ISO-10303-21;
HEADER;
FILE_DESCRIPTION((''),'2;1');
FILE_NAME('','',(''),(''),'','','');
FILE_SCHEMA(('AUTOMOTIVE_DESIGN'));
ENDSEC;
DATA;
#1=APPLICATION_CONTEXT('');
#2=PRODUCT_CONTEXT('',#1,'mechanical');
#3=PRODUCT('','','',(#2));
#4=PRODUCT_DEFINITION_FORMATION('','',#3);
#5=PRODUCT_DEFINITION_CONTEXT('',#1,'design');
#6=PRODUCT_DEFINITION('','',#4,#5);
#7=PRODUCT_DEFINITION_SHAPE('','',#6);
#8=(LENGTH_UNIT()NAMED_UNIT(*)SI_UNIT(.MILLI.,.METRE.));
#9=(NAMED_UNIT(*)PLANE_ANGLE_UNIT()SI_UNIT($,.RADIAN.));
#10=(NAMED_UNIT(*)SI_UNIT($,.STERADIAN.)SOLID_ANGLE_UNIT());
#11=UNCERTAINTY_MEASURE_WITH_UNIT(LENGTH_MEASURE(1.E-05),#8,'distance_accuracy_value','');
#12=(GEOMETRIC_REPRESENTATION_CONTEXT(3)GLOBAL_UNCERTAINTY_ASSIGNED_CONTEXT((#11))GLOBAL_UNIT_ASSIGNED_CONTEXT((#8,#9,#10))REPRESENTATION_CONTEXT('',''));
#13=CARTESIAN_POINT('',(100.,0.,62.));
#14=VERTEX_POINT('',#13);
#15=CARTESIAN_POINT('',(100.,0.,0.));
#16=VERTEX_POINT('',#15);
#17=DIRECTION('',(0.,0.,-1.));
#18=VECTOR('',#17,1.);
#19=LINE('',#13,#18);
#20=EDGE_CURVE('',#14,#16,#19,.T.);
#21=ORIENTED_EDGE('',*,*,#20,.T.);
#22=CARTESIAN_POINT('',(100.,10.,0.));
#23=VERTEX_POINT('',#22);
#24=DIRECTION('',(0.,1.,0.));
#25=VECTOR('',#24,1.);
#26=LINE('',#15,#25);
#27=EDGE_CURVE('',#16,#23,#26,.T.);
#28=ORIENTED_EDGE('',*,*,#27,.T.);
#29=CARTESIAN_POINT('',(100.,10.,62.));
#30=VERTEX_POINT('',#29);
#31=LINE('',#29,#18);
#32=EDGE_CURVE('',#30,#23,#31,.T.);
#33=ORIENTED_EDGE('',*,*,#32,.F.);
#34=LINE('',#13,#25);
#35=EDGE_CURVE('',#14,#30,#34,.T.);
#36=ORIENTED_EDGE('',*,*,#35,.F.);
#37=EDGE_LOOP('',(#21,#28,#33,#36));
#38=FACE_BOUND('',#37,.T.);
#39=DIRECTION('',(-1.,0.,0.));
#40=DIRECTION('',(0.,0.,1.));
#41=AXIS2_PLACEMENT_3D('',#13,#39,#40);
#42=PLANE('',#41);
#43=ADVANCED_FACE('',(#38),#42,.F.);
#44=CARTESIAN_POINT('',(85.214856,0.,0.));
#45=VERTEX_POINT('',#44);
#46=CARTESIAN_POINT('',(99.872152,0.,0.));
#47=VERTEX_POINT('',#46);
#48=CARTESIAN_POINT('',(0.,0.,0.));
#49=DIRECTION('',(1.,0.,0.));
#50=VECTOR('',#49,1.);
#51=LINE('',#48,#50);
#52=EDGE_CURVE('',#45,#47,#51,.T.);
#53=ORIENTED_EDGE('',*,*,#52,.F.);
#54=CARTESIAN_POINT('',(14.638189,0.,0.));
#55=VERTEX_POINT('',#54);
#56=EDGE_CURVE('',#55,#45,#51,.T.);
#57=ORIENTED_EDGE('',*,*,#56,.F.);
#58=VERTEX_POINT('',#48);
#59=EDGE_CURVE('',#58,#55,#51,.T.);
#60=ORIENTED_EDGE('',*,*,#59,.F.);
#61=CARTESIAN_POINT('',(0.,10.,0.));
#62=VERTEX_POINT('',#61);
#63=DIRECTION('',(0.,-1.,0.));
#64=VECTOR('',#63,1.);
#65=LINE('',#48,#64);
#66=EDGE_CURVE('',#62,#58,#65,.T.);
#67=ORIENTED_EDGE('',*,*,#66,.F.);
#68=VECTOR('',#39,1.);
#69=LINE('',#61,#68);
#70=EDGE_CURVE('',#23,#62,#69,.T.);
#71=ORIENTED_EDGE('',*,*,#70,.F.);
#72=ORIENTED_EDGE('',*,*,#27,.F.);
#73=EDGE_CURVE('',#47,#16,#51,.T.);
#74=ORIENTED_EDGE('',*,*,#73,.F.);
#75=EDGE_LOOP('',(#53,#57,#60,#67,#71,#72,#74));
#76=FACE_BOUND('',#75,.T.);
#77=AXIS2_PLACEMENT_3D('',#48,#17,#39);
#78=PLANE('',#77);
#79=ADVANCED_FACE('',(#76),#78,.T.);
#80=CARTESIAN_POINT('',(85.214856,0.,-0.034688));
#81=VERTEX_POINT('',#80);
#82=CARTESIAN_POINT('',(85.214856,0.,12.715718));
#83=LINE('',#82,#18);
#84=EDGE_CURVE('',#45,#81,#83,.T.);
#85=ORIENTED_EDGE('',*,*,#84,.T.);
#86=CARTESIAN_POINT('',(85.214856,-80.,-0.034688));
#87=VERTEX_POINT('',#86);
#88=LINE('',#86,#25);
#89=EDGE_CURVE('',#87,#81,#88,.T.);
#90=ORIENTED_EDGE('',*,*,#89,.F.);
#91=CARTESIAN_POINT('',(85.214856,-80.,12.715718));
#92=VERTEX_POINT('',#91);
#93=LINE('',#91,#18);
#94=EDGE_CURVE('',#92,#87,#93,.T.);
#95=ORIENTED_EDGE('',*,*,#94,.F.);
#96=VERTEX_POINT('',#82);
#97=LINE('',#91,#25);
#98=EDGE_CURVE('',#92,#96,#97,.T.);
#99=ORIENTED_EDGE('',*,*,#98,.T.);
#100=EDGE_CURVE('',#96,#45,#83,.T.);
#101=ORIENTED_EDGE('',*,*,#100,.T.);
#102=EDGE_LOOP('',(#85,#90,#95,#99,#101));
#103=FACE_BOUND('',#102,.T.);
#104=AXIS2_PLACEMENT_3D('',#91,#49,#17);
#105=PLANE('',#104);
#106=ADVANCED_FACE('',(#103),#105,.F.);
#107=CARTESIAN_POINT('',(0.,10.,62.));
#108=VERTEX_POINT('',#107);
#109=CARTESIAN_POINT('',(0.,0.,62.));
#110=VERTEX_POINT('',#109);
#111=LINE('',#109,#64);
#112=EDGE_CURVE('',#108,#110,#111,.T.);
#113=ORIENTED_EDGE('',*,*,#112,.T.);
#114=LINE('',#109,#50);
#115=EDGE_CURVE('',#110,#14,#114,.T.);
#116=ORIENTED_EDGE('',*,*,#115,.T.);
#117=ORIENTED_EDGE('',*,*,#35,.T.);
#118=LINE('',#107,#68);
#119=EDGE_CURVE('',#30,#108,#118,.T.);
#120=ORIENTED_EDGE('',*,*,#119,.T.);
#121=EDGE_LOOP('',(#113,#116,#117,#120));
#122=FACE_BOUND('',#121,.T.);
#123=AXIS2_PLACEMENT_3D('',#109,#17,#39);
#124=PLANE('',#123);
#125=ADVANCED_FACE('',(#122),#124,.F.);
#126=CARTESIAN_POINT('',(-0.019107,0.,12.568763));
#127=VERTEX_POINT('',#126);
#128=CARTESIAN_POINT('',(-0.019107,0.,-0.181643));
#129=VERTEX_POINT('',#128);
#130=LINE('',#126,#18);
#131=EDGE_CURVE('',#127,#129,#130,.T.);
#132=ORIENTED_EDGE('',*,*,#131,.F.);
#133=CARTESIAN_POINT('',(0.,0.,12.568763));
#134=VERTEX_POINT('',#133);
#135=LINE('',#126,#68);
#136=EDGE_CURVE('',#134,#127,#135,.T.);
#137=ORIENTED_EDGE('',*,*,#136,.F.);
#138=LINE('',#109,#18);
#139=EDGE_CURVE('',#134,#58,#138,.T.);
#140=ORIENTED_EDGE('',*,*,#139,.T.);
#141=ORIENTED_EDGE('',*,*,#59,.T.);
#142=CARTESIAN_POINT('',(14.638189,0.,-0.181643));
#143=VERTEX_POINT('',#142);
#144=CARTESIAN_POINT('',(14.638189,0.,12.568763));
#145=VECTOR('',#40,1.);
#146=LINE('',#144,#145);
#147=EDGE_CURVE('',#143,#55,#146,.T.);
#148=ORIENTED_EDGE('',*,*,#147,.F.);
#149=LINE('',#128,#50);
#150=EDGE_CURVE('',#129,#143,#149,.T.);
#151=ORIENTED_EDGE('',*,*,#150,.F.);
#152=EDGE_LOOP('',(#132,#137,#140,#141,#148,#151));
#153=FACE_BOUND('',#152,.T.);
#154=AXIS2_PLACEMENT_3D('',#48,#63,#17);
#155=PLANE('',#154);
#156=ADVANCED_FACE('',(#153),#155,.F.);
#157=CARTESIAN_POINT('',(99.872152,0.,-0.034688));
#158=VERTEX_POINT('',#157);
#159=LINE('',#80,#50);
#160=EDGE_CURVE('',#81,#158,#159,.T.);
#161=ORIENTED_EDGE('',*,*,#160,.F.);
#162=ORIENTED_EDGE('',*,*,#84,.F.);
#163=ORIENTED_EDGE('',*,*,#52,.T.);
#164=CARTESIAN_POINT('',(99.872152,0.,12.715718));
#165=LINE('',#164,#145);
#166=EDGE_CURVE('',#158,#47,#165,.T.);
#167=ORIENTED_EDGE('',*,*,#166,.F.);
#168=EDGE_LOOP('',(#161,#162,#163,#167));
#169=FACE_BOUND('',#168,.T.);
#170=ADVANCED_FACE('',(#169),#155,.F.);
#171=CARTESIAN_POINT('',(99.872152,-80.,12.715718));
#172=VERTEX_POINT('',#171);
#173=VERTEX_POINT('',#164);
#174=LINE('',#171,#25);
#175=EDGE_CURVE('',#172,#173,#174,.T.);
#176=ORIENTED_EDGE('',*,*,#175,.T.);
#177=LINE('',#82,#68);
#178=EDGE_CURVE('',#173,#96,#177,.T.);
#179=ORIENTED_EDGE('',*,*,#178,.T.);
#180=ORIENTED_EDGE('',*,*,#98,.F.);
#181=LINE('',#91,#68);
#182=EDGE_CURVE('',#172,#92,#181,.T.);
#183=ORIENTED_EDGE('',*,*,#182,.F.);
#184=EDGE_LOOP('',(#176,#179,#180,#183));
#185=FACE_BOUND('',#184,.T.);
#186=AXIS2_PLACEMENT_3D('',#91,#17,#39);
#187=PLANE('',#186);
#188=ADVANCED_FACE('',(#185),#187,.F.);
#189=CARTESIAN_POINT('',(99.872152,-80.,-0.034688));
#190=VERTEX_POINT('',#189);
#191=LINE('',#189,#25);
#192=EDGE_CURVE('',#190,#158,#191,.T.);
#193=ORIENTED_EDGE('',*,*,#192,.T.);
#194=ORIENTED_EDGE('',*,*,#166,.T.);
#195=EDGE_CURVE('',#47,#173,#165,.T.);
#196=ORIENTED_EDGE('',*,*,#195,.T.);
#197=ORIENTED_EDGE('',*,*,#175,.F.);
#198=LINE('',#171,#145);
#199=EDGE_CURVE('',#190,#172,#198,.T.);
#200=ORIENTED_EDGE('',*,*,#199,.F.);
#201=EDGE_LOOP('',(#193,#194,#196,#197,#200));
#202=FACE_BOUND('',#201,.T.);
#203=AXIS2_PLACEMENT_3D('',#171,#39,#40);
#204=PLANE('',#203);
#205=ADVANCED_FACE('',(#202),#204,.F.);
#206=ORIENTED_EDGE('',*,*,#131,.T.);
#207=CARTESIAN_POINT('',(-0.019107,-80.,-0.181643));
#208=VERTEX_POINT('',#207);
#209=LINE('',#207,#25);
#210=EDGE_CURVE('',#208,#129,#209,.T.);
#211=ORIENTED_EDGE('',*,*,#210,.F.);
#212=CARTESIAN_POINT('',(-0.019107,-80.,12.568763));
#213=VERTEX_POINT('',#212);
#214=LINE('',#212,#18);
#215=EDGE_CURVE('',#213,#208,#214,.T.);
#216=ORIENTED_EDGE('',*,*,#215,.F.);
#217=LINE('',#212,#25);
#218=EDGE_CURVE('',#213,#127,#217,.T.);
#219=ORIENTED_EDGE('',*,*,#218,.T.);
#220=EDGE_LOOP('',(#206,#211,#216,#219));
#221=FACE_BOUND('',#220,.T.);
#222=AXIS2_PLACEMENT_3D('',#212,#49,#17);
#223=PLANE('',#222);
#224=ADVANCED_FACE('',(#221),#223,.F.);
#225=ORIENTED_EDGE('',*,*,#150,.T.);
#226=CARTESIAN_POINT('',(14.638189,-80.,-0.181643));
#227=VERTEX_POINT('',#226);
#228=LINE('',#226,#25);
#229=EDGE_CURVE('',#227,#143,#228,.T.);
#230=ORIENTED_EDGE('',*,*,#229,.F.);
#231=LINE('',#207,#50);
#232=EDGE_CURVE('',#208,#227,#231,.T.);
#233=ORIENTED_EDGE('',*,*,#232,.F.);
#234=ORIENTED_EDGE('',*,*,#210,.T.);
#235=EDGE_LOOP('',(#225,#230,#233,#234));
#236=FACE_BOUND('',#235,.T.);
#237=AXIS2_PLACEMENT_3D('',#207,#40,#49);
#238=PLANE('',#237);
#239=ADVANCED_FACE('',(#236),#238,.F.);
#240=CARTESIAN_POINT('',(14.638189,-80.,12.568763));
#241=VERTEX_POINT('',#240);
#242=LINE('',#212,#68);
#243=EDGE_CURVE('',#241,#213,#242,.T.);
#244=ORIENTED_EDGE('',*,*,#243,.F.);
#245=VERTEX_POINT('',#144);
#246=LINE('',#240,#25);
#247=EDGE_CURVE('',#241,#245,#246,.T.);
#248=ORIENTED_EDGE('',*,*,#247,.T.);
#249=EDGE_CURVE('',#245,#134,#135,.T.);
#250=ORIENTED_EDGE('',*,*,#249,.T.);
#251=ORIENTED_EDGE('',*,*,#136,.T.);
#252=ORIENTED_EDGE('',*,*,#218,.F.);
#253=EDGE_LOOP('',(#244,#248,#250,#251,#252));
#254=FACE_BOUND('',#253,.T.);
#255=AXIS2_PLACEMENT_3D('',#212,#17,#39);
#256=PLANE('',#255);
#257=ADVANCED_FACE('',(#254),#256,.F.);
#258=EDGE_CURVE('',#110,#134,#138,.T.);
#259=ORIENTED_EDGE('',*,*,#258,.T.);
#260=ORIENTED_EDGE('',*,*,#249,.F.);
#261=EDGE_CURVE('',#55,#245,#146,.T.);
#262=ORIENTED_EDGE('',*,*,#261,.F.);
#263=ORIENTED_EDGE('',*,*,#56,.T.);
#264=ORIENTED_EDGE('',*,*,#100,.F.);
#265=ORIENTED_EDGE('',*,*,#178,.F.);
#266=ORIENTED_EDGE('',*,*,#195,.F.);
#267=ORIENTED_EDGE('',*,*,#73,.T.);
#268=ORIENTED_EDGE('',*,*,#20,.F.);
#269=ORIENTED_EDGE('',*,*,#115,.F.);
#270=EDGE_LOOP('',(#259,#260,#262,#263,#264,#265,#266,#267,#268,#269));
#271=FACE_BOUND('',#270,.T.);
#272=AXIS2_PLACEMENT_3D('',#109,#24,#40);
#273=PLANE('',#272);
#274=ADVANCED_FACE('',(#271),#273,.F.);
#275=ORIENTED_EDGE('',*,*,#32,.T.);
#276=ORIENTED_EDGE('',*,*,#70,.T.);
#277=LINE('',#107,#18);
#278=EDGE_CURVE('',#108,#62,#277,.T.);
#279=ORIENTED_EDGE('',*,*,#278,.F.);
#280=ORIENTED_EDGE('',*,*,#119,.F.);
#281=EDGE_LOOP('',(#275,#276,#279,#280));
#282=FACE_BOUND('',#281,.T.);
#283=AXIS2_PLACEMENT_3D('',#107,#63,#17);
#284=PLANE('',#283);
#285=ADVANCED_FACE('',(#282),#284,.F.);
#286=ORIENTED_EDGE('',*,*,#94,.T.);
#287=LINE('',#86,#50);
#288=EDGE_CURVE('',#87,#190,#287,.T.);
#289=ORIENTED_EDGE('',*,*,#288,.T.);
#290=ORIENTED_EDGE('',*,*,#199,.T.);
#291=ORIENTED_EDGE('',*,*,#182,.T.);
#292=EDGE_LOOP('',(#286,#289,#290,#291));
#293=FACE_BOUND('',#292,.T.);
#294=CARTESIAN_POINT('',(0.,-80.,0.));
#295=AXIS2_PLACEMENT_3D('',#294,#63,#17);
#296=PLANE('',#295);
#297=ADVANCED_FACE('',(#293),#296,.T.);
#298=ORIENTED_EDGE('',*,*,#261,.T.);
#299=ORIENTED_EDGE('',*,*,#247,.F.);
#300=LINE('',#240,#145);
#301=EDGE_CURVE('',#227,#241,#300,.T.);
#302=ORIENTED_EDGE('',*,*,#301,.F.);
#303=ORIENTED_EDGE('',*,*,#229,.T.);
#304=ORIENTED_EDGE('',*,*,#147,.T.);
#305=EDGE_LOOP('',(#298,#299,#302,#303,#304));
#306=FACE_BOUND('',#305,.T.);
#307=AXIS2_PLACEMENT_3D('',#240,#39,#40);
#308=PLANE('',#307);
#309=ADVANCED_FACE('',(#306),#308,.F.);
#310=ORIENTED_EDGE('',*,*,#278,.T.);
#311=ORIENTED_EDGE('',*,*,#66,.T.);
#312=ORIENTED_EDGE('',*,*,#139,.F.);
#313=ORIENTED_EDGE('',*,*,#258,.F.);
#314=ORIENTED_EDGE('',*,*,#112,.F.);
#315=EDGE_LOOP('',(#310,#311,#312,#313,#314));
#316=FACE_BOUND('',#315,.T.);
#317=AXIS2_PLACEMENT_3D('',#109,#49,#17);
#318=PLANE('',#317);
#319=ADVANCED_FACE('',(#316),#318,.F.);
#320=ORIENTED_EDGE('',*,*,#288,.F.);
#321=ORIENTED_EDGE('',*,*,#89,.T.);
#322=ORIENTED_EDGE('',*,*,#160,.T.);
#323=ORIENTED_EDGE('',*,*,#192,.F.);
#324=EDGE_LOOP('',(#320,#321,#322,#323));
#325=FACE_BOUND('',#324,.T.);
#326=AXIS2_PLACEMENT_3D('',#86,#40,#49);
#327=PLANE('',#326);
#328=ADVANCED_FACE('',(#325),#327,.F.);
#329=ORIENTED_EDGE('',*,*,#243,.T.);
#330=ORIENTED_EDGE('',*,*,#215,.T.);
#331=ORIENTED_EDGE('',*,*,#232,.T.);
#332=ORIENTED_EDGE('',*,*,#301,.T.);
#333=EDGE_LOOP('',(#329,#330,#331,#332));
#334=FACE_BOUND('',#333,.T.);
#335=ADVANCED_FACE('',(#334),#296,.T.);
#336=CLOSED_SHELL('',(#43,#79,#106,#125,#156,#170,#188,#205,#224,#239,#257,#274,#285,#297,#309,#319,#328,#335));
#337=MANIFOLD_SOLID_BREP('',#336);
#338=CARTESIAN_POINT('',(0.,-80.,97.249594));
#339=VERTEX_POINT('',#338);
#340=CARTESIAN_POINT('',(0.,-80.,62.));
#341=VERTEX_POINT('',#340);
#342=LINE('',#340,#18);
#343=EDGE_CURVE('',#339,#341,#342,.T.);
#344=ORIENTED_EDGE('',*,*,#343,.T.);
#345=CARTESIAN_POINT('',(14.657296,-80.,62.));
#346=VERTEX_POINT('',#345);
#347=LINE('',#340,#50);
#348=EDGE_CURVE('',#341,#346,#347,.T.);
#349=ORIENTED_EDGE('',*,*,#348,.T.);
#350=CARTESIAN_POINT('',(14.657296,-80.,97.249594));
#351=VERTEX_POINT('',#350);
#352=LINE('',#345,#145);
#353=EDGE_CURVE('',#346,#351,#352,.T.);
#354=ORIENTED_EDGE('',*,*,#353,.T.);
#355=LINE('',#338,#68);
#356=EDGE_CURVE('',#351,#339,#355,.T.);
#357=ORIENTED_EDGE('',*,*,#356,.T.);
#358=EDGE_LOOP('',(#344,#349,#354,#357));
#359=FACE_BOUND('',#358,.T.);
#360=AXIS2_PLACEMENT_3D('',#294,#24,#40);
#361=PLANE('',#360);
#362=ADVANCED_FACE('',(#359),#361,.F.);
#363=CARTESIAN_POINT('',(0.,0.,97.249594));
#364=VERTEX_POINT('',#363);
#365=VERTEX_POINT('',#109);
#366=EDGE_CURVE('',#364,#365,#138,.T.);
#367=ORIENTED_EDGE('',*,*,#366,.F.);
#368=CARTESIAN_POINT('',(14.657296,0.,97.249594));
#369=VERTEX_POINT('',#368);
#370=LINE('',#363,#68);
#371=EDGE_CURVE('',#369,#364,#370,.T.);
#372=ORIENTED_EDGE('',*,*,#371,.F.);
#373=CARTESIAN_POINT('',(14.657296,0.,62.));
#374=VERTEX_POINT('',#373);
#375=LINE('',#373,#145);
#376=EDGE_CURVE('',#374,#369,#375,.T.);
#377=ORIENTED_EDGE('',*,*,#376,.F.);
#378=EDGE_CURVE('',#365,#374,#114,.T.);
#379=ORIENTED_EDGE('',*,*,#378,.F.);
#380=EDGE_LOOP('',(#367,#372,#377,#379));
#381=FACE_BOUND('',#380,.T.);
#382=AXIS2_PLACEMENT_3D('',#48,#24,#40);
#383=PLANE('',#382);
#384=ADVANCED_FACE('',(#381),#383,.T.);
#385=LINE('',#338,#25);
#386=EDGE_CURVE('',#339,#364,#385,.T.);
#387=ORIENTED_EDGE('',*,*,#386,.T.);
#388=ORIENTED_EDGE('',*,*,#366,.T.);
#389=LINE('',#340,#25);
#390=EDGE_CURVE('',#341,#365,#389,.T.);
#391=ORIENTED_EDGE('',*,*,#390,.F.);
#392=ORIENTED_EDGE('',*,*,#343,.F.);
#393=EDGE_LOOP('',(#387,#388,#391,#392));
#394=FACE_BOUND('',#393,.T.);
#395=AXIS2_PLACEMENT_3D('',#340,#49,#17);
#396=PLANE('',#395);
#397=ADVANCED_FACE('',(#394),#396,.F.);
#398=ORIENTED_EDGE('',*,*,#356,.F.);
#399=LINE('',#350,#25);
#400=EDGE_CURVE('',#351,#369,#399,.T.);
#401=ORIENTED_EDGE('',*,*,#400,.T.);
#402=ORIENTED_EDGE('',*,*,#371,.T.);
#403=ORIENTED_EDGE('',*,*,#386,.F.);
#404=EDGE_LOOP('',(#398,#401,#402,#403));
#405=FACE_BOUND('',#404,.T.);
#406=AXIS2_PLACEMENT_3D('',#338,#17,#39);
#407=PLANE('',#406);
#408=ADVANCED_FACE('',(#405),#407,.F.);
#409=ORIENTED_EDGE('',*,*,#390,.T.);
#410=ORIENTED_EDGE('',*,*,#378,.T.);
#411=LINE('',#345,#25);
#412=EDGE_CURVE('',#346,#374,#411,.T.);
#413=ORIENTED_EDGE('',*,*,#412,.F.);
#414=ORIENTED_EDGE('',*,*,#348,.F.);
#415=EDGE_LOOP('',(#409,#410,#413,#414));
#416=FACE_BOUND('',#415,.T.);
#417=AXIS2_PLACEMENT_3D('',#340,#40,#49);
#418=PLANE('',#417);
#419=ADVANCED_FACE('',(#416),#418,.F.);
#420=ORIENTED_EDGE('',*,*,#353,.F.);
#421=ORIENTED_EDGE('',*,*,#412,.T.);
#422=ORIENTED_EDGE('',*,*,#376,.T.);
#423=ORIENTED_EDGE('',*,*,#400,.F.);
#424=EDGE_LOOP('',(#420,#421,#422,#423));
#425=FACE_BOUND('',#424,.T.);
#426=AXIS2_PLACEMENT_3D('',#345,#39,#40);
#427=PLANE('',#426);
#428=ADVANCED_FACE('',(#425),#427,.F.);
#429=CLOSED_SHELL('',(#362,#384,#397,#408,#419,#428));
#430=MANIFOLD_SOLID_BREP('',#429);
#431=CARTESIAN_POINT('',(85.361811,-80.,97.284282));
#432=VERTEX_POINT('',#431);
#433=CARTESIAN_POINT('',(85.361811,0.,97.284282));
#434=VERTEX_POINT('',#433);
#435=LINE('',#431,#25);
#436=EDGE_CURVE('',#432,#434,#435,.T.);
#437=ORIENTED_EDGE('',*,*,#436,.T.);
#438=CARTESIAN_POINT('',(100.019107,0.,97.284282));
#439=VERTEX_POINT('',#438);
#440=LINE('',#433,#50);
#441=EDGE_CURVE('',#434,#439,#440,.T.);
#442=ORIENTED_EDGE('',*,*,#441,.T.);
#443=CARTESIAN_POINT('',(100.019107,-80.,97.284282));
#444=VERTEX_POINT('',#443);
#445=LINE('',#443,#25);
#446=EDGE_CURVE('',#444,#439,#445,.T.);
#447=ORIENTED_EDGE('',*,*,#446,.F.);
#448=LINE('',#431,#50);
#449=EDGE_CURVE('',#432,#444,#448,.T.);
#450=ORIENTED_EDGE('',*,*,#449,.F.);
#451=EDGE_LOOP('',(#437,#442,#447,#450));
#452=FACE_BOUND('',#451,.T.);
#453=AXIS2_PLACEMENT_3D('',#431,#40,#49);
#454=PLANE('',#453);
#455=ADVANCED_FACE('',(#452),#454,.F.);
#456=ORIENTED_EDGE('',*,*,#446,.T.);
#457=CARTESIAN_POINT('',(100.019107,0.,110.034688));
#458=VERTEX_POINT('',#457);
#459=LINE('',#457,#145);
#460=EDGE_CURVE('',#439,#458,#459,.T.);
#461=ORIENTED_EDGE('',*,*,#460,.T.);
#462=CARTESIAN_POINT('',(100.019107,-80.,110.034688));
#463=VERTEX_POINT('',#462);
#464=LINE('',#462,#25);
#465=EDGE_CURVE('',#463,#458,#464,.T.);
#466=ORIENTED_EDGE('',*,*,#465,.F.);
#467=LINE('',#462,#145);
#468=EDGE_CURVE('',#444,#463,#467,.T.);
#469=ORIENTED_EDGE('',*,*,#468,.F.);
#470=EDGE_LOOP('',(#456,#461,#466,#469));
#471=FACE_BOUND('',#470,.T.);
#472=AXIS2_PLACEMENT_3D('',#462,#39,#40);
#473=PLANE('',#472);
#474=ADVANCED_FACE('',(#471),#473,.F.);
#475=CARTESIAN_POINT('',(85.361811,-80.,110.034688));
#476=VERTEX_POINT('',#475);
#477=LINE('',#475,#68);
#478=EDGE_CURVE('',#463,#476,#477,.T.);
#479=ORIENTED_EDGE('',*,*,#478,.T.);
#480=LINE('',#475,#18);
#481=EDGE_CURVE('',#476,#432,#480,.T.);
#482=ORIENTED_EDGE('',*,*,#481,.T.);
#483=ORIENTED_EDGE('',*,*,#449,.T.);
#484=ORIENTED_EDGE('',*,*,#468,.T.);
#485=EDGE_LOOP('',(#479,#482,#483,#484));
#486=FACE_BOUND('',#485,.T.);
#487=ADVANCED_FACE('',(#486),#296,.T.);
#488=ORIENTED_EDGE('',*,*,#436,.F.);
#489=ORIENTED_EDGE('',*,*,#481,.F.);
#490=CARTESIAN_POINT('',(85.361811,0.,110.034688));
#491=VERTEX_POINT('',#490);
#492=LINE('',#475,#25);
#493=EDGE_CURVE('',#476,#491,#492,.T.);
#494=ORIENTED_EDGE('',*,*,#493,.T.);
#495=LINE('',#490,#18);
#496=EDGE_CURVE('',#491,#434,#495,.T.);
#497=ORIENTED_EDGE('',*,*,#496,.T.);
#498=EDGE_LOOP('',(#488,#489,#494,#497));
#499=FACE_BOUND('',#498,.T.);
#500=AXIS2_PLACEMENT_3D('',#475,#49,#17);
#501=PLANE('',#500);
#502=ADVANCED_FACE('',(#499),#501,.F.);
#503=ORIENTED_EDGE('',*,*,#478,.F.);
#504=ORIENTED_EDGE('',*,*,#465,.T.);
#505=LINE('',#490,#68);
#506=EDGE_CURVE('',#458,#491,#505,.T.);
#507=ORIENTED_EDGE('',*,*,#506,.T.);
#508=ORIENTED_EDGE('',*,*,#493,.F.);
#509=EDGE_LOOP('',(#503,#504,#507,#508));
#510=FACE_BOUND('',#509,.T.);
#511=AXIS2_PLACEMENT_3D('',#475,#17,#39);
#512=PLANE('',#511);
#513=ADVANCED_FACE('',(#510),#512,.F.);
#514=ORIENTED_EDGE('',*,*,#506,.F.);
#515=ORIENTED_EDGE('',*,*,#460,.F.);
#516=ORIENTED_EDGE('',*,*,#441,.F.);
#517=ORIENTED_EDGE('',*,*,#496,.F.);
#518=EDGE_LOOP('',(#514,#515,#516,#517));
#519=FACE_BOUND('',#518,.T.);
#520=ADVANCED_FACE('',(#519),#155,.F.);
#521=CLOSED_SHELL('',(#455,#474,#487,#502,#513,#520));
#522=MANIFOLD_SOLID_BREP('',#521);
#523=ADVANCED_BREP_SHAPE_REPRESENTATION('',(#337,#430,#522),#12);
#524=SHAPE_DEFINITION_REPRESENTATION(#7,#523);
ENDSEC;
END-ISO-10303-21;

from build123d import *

# Parameters (mm, degrees)
SKETCH1_W           = 100
SKETCH1_H           = 10
BOSS_EXTRUDE1_DEPTH = 62
SKETCH2_W           = 14.657296337
SKETCH2_H           = 12.750406224
SKETCH2_H_2         = 35.249593776
SKETCH2_W_2         = 14.657296336
BOSS_EXTRUDE2_DEPTH = 80


with BuildPart() as part:
    # Sketch1 → Boss-Extrude1 (new body)
    with BuildSketch(Plane.XY):
        with Locations((50, 5)):
            Rectangle(SKETCH1_W, SKETCH1_H)
    extrude(amount=BOSS_EXTRUDE1_DEPTH)

    # Sketch2 → Boss-Extrude2 (add)
    with BuildSketch(Plane.XZ):
        with Locations((92.690459103, 103.659485129)):
            Rectangle(SKETCH2_W, SKETCH2_H)
        with Locations((7.328648169, 79.624796888)):
            Rectangle(SKETCH2_W, SKETCH2_H_2)
        with Locations((7.309540898, 6.193559762)):
            Rectangle(SKETCH2_W, SKETCH2_H)
        with Locations((92.543503994, 6.340514871)):
            Rectangle(SKETCH2_W_2, SKETCH2_H)
    extrude(amount=BOSS_EXTRUDE2_DEPTH)


with BuildPart() as boss_extrude2_piece_1:
    # of the separate pieces the step leaves, piece 1, a body of its own (boss_extrude2_pieces)
    add(part.part.solids().sort_by_distance((0, 0, 12.568762874))[0])


with BuildPart() as boss_extrude2_piece_2:
    # of the separate pieces the step leaves, piece 2, a body of its own (boss_extrude2_pieces)
    add(part.part.solids().sort_by_distance((0, -80, 62))[0])


with BuildPart() as boss_extrude2_piece_3:
    # of the separate pieces the step leaves, piece 3, a body of its own (boss_extrude2_pieces)
    add(part.part.solids().sort_by_distance((85.361810934, 0, 110.034688241))[0])


solid = Compound([boss_extrude2_piece_1.part, boss_extrude2_piece_2.part, boss_extrude2_piece_3.part])
